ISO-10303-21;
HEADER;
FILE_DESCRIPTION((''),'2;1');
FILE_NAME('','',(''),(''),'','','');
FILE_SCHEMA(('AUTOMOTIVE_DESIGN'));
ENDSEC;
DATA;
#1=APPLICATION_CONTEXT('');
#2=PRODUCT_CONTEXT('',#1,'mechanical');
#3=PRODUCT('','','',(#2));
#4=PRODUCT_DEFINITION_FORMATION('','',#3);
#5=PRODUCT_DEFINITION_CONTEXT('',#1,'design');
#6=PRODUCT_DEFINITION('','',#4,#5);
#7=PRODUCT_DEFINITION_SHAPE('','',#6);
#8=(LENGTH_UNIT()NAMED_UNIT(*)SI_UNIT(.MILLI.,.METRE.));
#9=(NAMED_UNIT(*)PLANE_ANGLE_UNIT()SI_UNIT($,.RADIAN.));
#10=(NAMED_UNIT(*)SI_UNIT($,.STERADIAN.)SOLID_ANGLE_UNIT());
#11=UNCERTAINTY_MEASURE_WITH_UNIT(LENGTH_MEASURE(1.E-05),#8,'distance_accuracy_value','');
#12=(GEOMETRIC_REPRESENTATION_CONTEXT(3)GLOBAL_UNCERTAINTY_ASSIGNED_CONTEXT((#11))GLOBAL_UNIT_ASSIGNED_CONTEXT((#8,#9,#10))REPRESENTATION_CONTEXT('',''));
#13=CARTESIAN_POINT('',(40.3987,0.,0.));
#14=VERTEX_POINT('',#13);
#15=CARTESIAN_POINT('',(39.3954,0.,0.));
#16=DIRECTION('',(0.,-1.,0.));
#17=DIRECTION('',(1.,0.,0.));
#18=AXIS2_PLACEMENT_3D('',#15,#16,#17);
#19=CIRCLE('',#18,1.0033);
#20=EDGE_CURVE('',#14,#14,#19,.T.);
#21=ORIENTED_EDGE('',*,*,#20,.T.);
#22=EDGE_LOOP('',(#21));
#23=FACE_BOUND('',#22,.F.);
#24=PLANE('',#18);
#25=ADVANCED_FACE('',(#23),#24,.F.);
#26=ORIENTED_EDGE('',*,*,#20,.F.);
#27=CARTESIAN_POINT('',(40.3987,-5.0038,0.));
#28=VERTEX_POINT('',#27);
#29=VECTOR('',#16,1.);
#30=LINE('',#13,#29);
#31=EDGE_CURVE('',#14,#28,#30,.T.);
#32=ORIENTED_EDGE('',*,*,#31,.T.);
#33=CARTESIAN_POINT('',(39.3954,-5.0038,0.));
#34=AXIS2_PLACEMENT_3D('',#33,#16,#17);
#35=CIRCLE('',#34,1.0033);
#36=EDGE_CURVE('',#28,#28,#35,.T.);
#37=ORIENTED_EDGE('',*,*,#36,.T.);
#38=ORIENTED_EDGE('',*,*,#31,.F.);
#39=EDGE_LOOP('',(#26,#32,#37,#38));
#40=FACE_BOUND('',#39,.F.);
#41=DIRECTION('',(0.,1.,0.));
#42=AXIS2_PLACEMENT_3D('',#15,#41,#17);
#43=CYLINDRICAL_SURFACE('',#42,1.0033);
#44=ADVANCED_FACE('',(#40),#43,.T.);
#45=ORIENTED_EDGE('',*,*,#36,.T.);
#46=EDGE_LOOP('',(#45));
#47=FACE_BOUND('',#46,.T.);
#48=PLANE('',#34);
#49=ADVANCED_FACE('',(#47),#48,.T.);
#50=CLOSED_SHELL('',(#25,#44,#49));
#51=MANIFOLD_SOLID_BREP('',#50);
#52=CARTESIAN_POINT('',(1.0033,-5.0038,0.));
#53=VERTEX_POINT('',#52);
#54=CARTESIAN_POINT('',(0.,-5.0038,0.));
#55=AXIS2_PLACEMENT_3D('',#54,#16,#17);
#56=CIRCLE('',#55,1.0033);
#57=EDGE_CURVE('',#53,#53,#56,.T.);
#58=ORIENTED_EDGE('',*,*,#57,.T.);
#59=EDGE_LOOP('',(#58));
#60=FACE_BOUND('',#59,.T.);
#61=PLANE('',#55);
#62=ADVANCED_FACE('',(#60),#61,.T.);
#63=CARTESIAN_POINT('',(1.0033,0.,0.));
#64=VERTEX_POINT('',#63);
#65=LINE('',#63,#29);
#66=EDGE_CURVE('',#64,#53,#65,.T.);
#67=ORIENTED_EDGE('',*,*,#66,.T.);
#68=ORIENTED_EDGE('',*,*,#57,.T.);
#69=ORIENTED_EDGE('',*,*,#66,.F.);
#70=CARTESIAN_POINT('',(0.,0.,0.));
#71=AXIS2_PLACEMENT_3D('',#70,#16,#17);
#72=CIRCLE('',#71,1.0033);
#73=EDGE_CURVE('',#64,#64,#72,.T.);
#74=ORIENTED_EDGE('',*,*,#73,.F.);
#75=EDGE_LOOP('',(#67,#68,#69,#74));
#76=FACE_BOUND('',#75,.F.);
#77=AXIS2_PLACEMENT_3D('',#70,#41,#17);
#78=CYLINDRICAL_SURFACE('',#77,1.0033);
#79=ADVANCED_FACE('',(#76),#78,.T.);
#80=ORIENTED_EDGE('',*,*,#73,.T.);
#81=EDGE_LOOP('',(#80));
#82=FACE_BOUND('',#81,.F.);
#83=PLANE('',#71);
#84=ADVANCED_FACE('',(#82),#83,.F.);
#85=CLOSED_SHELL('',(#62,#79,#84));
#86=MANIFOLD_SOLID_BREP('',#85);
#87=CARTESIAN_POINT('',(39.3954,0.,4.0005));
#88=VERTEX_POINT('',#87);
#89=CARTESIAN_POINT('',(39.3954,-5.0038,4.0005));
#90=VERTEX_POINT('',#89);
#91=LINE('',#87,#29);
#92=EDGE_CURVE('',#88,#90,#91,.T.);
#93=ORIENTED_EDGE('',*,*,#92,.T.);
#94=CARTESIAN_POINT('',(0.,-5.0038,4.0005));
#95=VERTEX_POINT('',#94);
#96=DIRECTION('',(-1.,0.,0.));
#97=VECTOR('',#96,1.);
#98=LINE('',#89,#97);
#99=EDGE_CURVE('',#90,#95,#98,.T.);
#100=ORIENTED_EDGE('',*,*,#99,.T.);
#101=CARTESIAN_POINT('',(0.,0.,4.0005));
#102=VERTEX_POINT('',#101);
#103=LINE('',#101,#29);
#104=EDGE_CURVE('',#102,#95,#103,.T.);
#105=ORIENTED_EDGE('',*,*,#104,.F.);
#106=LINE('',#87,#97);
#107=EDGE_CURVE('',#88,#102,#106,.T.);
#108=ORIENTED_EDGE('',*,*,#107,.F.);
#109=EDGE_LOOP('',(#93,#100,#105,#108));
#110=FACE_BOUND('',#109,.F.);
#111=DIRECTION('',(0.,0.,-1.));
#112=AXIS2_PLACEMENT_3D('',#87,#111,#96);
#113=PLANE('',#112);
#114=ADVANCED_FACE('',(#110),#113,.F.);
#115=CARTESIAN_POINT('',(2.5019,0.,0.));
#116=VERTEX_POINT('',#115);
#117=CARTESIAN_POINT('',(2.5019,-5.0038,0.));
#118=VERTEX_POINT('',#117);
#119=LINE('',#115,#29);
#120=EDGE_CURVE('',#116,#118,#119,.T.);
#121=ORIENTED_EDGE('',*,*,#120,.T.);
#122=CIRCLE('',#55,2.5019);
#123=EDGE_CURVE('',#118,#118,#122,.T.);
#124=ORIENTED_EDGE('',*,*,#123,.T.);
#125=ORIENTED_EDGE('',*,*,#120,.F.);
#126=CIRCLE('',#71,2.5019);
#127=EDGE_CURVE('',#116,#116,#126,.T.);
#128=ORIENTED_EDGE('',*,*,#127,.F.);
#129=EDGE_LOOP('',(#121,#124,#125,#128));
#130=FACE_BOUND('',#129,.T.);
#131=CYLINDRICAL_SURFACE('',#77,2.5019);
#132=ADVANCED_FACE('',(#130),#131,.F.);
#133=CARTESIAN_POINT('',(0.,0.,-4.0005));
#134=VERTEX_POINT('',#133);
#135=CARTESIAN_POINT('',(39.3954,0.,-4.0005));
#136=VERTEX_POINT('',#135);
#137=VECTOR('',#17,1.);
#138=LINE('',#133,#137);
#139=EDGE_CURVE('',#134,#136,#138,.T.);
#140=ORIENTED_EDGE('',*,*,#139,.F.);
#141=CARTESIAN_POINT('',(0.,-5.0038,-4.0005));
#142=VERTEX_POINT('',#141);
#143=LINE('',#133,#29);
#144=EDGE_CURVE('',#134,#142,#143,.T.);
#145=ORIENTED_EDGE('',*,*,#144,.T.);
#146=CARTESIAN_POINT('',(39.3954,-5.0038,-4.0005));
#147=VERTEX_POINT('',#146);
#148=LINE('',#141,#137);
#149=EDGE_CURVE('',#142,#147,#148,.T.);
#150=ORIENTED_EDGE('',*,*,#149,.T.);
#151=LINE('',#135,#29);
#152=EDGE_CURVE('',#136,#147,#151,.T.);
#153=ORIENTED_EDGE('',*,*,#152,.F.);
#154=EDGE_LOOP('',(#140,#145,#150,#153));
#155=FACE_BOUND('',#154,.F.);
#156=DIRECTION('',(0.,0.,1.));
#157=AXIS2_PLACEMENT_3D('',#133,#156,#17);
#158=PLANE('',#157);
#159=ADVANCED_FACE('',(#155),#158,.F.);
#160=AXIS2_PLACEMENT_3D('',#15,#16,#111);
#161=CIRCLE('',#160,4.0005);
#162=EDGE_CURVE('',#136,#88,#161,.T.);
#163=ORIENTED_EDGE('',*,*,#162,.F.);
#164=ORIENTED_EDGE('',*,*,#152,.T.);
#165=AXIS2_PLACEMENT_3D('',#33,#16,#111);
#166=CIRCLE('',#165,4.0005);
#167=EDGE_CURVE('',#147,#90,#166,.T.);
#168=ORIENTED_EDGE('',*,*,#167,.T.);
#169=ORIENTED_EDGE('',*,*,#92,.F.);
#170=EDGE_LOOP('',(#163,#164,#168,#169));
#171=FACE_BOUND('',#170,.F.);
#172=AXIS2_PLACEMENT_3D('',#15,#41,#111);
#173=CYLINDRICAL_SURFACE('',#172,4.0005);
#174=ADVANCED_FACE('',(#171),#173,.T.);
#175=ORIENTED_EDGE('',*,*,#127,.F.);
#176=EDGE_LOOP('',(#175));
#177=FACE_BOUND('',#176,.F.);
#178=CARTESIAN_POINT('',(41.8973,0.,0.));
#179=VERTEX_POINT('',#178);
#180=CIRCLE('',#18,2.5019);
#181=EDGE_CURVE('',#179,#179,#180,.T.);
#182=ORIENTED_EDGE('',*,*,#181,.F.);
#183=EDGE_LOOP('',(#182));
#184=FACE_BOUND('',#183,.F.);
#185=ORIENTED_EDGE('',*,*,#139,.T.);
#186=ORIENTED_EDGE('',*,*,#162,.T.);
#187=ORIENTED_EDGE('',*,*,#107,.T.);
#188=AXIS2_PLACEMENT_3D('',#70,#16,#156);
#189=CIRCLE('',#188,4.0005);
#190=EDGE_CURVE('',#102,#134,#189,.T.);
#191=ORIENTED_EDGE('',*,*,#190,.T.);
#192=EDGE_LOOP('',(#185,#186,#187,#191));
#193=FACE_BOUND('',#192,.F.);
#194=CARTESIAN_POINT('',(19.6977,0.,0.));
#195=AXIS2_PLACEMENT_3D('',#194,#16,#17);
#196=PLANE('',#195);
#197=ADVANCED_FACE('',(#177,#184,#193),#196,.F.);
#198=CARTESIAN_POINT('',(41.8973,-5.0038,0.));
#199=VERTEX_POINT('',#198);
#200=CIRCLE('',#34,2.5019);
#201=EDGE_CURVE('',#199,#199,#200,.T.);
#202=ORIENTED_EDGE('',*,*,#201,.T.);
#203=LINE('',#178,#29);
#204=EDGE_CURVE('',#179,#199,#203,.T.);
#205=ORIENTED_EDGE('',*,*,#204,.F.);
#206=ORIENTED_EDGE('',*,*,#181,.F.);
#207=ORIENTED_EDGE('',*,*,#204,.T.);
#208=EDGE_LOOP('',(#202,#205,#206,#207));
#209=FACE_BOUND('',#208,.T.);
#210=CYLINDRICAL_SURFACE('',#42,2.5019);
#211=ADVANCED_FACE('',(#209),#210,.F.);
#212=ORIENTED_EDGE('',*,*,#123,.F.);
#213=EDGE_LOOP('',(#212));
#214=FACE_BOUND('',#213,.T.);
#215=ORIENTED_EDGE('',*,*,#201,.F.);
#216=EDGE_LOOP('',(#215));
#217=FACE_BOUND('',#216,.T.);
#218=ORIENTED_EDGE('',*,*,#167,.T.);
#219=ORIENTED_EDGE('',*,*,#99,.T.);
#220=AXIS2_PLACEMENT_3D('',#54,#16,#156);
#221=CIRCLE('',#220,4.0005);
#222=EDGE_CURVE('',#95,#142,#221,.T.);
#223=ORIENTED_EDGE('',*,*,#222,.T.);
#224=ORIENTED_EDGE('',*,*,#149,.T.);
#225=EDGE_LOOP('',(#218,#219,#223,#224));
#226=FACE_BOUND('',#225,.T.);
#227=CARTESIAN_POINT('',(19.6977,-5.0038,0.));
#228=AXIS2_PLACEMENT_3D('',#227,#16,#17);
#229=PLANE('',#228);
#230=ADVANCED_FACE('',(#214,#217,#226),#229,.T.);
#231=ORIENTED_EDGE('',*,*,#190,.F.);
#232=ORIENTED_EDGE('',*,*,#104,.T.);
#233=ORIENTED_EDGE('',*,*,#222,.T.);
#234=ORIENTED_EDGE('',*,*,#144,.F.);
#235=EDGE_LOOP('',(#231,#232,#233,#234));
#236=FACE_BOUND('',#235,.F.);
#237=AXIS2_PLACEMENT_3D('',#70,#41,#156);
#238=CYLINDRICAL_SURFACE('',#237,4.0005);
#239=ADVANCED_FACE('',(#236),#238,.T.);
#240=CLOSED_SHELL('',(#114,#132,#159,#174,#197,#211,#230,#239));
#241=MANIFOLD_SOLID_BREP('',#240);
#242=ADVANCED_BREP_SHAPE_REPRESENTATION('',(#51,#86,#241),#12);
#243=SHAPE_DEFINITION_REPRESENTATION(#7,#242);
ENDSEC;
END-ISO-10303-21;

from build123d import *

# Parameters (mm, degrees)
F0_R     = 2.5019
F0_R_2   = 1.0033
F1_DEPTH = 5.0038


with BuildPart() as f1:
    # F0 (on Front) → F1 (new body)
    with BuildSketch(Plane.XZ):
        with BuildLine():
            ThreePointArc((0, 4.0005), (-4.0005, 0), (0, -4.0005))
            Line((0, -4.0005), (39.3954, -4.0005))
            ThreePointArc((39.3954, -4.0005), (43.3959, 0), (39.3954, 4.0005))
            Line((39.3954, 4.0005), (0, 4.0005))
        make_face()
        Circle(F0_R, mode=Mode.SUBTRACT)
        with Locations((39.3954, 0)):
            Circle(F0_R, mode=Mode.SUBTRACT)
        Circle(F0_R_2)
        with Locations((39.3954, 0)):
            Circle(F0_R_2)
    extrude(amount=F1_DEPTH)


solid = f1.part
